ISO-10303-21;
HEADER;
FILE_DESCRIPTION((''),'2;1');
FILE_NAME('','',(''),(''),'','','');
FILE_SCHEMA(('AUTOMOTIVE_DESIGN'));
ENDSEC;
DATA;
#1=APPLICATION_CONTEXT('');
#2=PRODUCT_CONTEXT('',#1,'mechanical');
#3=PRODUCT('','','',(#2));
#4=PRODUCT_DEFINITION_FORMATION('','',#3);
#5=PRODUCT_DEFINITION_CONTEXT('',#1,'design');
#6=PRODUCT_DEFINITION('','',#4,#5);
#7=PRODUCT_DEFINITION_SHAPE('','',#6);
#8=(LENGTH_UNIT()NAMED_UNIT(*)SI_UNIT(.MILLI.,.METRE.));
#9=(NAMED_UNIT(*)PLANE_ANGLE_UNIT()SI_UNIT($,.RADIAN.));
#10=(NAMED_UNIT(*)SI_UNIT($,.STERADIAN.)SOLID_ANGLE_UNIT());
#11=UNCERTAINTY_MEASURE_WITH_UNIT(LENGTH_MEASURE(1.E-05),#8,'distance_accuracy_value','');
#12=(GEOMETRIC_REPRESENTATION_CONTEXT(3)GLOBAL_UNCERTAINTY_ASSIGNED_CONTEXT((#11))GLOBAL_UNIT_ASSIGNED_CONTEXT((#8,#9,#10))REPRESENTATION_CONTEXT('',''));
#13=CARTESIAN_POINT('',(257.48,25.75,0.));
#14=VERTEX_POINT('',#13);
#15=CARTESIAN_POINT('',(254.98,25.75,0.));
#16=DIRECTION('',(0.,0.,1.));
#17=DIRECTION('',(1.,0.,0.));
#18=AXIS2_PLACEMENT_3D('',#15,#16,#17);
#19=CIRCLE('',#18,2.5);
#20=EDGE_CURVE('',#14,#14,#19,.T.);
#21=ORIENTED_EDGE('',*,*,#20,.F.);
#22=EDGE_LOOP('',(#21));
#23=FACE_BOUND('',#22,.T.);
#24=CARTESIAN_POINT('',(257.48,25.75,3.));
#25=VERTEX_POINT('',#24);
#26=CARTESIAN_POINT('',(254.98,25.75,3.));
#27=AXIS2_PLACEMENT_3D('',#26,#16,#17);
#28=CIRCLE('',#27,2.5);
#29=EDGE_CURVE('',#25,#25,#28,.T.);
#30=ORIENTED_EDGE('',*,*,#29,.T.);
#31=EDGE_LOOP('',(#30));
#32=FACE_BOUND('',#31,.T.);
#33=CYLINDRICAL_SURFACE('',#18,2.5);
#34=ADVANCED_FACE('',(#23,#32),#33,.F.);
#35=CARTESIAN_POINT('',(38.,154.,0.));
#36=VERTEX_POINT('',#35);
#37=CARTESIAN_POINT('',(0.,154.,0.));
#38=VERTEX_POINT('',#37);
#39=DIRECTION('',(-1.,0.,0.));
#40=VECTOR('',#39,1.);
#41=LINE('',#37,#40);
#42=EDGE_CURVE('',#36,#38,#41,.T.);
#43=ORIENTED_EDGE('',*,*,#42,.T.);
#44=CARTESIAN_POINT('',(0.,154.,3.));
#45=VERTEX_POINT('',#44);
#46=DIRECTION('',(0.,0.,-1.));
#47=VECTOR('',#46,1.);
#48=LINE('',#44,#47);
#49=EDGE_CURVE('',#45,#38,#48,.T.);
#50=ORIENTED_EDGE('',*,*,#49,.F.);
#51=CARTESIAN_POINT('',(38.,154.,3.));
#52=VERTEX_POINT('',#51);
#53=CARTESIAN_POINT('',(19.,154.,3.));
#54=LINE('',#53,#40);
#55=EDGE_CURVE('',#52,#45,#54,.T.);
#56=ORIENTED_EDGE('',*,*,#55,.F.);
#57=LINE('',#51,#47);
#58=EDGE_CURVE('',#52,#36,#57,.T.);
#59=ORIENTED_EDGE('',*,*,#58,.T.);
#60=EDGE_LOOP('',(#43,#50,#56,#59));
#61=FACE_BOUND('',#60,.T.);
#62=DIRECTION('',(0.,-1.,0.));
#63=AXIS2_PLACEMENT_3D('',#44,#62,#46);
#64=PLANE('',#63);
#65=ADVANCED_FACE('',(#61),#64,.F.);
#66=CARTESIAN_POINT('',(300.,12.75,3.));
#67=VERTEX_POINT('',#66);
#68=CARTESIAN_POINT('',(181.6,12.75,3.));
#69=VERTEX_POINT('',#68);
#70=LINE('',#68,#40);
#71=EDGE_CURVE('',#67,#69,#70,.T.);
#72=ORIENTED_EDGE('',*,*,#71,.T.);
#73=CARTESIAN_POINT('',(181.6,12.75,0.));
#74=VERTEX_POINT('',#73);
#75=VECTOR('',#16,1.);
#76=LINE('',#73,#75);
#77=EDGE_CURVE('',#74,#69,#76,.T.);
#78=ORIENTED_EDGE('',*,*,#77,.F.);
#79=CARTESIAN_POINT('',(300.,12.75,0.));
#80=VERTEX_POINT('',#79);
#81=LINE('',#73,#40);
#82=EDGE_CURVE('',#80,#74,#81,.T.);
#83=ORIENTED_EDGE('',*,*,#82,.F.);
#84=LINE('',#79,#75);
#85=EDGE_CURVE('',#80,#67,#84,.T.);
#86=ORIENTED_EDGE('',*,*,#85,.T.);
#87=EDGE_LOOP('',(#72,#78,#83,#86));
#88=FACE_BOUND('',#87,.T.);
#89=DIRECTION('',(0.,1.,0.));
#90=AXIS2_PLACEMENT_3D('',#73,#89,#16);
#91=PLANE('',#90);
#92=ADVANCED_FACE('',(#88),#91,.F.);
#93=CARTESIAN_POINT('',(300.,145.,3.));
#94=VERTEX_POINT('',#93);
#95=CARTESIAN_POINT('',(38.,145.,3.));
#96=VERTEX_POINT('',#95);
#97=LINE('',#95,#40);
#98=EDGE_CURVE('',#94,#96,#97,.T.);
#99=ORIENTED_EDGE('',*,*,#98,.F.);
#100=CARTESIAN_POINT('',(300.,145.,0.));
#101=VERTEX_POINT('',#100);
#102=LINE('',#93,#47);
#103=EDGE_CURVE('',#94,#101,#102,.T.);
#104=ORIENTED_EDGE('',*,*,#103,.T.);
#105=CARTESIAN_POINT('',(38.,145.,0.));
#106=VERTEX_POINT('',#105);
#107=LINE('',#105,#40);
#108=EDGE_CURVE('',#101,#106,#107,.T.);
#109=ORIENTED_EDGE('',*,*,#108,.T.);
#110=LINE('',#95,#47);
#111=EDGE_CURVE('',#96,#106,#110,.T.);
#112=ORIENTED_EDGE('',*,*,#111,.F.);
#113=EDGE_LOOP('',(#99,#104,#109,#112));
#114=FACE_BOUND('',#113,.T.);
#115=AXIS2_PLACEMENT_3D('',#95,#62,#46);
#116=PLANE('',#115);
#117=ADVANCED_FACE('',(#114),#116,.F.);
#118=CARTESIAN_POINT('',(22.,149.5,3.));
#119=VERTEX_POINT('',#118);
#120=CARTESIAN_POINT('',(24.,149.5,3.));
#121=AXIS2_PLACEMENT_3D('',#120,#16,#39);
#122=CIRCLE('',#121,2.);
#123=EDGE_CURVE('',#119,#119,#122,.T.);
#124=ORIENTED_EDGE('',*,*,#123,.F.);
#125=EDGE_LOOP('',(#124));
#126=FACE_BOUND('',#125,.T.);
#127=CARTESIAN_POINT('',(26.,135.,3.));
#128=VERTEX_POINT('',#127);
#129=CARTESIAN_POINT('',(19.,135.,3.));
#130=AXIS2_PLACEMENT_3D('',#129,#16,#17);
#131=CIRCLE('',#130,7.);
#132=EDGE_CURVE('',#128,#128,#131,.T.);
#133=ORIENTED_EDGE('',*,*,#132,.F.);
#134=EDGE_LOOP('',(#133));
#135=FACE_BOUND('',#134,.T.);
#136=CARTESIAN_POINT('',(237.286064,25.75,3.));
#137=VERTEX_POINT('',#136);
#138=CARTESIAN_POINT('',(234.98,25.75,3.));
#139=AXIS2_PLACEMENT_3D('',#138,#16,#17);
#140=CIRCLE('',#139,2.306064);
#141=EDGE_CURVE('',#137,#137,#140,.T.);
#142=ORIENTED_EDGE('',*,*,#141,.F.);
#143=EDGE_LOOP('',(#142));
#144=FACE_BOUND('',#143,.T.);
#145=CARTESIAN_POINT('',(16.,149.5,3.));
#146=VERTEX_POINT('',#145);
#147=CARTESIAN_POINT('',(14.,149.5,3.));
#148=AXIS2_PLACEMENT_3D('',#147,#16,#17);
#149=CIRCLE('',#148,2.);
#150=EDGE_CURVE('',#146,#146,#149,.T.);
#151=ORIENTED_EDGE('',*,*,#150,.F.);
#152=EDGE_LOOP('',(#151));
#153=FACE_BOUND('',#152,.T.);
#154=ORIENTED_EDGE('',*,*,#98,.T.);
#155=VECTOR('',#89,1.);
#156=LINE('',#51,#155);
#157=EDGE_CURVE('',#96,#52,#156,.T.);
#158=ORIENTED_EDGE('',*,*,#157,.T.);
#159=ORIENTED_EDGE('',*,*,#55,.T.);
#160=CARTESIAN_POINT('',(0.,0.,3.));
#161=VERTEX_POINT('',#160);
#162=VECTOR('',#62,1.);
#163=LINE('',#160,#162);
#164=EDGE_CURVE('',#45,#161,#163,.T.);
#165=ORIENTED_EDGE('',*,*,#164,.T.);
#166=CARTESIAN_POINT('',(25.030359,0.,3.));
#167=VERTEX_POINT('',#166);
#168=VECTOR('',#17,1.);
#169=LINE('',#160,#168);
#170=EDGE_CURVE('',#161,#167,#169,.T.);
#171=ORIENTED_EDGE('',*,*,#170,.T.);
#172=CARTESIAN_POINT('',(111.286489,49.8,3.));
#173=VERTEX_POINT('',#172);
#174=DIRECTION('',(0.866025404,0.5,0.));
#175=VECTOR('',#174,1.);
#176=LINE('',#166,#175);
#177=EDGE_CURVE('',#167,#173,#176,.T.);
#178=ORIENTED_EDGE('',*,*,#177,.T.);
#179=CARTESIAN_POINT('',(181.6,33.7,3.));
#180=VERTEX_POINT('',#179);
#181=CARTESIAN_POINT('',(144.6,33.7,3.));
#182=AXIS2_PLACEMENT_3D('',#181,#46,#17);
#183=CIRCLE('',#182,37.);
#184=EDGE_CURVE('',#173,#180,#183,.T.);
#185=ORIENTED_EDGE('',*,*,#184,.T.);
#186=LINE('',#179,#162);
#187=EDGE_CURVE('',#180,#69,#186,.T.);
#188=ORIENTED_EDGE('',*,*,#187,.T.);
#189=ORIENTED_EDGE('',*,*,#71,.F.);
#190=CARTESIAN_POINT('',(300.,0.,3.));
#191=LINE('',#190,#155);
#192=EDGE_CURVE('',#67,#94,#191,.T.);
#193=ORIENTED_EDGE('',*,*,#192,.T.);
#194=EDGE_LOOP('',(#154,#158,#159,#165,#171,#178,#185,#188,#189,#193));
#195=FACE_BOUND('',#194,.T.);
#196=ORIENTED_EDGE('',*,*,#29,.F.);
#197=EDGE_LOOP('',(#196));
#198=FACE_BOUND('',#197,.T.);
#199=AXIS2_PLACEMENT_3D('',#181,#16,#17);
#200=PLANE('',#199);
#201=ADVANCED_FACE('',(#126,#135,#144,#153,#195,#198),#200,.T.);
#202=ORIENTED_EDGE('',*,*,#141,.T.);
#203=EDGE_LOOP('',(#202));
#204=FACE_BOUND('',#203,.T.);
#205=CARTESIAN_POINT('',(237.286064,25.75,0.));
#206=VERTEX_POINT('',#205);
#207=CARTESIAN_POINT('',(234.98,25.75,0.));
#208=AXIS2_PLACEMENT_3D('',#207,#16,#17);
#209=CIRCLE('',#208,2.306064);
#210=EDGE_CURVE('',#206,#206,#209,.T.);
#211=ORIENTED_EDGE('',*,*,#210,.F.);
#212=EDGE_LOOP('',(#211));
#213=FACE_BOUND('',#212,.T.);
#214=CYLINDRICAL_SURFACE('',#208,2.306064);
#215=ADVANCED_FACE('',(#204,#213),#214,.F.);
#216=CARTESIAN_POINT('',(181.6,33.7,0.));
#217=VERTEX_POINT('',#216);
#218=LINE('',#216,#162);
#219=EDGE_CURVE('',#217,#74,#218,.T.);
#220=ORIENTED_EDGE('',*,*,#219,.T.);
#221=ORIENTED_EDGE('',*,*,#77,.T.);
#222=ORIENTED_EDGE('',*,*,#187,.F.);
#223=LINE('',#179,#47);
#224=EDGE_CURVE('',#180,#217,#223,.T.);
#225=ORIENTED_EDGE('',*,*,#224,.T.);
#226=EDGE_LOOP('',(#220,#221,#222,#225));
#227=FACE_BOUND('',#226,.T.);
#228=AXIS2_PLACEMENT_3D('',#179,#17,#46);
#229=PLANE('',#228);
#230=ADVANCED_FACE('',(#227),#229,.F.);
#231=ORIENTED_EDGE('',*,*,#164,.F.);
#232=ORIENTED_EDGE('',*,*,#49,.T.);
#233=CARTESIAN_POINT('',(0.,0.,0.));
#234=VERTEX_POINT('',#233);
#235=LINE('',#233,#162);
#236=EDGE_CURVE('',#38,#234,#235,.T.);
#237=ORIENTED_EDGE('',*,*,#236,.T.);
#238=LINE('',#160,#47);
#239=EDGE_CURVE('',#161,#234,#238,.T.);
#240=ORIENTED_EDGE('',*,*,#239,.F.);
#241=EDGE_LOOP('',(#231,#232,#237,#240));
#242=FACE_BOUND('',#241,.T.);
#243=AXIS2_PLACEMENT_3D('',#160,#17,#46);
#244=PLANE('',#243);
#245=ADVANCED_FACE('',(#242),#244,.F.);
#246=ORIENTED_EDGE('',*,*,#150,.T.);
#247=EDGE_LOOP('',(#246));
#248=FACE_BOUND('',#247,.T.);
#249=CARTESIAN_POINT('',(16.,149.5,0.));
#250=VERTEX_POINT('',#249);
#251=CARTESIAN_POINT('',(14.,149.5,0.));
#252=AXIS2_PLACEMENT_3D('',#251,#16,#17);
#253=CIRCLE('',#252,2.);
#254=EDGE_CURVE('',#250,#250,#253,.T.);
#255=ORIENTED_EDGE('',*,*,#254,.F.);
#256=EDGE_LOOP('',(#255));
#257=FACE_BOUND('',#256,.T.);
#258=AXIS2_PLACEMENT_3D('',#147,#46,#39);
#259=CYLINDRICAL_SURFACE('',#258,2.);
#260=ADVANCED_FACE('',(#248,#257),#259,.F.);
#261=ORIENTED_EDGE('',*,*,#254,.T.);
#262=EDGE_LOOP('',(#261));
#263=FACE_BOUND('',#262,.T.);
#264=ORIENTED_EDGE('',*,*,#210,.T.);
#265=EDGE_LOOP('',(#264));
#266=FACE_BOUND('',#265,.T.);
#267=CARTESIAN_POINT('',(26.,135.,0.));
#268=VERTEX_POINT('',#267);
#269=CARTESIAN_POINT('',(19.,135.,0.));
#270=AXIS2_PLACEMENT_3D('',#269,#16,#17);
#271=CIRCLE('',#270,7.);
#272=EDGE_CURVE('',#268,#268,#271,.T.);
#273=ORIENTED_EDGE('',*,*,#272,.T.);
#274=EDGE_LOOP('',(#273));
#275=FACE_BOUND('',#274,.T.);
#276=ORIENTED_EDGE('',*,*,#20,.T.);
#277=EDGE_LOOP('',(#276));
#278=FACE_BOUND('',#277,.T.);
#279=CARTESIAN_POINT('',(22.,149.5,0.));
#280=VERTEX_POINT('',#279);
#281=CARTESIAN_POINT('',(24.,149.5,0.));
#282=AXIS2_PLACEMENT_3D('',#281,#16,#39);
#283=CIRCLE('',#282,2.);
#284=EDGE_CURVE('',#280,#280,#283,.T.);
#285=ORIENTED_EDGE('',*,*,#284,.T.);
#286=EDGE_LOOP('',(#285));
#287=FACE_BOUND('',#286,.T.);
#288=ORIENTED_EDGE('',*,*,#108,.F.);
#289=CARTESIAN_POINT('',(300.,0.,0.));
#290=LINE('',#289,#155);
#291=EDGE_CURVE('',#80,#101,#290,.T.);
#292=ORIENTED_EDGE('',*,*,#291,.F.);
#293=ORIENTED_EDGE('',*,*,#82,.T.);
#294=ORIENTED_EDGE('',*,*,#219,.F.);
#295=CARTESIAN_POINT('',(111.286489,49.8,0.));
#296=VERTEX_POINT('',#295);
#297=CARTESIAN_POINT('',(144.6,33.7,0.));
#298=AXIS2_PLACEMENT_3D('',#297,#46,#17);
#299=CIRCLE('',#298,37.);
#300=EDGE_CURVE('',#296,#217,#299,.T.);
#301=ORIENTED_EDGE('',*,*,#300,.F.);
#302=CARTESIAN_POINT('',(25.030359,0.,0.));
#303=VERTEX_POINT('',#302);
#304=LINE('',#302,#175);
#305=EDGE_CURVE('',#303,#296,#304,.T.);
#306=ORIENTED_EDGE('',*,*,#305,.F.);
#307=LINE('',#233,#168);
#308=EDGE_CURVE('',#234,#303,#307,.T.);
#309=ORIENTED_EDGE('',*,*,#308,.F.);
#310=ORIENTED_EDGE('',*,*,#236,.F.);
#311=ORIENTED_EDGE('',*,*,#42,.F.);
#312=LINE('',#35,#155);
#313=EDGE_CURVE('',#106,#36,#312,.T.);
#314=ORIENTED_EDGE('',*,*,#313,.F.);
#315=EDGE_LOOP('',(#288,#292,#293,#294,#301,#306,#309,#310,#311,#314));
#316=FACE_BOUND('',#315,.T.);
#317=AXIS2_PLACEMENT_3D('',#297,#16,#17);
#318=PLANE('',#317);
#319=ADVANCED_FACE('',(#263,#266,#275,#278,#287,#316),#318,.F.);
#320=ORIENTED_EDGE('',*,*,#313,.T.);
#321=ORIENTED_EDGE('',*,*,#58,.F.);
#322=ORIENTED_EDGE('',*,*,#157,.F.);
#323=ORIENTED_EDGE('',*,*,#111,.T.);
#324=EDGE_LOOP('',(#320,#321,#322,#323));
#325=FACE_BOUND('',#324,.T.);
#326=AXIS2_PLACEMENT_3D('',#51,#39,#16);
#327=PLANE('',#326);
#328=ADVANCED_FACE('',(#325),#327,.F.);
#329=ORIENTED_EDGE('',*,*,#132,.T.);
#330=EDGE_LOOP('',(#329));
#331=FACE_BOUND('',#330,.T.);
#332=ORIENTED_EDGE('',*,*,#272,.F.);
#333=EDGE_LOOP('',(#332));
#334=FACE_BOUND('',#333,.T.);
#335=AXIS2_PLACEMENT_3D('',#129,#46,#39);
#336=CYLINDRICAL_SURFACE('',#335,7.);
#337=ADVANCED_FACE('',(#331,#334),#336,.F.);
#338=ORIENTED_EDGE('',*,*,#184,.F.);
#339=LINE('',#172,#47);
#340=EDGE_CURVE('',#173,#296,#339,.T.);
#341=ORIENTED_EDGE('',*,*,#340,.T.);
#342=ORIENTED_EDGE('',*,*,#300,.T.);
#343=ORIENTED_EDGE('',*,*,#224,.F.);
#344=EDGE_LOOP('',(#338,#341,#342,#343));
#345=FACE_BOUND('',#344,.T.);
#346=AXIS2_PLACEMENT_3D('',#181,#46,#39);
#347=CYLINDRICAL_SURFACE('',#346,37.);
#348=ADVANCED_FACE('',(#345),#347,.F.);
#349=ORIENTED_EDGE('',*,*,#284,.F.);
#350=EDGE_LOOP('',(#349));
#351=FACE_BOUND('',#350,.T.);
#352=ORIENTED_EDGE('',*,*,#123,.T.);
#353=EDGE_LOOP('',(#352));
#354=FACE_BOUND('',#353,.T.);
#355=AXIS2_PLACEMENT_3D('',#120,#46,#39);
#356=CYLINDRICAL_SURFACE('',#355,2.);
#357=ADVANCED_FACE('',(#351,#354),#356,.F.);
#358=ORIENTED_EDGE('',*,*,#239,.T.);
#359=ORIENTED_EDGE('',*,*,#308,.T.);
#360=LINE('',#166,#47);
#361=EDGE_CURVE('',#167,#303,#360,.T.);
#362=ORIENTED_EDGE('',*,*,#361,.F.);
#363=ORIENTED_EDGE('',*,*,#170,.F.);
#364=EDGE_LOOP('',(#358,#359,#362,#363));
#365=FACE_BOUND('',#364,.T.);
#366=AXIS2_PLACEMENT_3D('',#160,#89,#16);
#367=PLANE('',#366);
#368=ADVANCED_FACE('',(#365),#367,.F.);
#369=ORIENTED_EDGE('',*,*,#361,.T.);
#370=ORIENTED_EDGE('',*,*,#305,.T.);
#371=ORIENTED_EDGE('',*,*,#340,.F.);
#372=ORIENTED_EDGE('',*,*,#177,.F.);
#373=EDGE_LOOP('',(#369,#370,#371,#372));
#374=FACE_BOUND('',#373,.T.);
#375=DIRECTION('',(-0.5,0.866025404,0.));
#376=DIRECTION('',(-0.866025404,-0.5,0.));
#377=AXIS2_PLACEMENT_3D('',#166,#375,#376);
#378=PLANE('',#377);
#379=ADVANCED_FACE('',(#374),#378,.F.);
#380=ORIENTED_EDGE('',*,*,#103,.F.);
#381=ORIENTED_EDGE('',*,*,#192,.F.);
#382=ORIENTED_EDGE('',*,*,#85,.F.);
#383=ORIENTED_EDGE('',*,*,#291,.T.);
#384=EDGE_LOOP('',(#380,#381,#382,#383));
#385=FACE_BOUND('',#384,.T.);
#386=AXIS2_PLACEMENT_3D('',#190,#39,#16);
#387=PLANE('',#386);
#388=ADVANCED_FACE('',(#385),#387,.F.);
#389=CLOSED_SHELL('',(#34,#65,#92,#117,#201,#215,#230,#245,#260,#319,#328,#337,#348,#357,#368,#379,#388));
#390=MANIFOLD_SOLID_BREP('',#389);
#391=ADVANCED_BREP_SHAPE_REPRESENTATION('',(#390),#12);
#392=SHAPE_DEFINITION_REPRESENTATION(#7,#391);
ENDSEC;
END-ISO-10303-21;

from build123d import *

# Parameters (mm, degrees)
SKETCH2_R           = 7
SKETCH2_R_2         = 2
BOSS_EXTRUDE2_DEPTH = 3
SKETCH3_W           = 118.4
SKETCH3_H           = 12.75
CUT_EXTRUDE1_DEPTH  = 338.231374578
SKETCH5_R           = 2.5
SKETCH5_R_2         = 2.306063735
CUT_EXTRUDE2_DEPTH  = 338.231374578


with BuildPart() as part:
    # Sketch2 → Boss-Extrude2 (new body)
    with BuildSketch(Plane.XY):
        with BuildLine():
            Line((25.03035901, 0), (111.286489227, 49.8))
            ThreePointArc((111.286489227, 49.8), (152.858332199, 69.766604349), (181.6, 33.7))
            Line((181.6, 33.7), (181.6, 0))
            Line((181.6, 0), (300, 0))
            Line((300, 0), (300, 145))
            Line((300, 145), (38, 145))
            Line((38, 145), (38, 154))
            Line((38, 154), (19, 154))
            Line((19, 154), (0, 154))
            Line((0, 154), (0, 0))
            Line((0, 0), (25.03035901, 0))
        make_face()
        with Locations((19, 135)):
            Circle(SKETCH2_R, mode=Mode.SUBTRACT)
        with Locations((14, 149.5)):
            Circle(SKETCH2_R_2, mode=Mode.SUBTRACT)
        with Locations(Location((24, 149.5, 0), (0, 0, 180))):
            Circle(SKETCH2_R_2, mode=Mode.SUBTRACT)
    extrude(amount=BOSS_EXTRUDE2_DEPTH)

    # Sketch3 → Cut-Extrude1 (cut, through all)
    with BuildSketch(Plane.XY.offset(3)):
        with Locations((240.8, 6.375)):
            Rectangle(SKETCH3_W, SKETCH3_H)
    extrude(amount=-CUT_EXTRUDE1_DEPTH, mode=Mode.SUBTRACT)

    # Sketch5 → Cut-Extrude2 (cut, through all)
    with BuildSketch(Plane.XY.offset(3)):
        with Locations((254.98, 25.75)):
            Circle(SKETCH5_R)
        with Locations((234.98, 25.75)):
            Circle(SKETCH5_R_2)
    extrude(amount=-CUT_EXTRUDE2_DEPTH, mode=Mode.SUBTRACT)


solid = part.part
